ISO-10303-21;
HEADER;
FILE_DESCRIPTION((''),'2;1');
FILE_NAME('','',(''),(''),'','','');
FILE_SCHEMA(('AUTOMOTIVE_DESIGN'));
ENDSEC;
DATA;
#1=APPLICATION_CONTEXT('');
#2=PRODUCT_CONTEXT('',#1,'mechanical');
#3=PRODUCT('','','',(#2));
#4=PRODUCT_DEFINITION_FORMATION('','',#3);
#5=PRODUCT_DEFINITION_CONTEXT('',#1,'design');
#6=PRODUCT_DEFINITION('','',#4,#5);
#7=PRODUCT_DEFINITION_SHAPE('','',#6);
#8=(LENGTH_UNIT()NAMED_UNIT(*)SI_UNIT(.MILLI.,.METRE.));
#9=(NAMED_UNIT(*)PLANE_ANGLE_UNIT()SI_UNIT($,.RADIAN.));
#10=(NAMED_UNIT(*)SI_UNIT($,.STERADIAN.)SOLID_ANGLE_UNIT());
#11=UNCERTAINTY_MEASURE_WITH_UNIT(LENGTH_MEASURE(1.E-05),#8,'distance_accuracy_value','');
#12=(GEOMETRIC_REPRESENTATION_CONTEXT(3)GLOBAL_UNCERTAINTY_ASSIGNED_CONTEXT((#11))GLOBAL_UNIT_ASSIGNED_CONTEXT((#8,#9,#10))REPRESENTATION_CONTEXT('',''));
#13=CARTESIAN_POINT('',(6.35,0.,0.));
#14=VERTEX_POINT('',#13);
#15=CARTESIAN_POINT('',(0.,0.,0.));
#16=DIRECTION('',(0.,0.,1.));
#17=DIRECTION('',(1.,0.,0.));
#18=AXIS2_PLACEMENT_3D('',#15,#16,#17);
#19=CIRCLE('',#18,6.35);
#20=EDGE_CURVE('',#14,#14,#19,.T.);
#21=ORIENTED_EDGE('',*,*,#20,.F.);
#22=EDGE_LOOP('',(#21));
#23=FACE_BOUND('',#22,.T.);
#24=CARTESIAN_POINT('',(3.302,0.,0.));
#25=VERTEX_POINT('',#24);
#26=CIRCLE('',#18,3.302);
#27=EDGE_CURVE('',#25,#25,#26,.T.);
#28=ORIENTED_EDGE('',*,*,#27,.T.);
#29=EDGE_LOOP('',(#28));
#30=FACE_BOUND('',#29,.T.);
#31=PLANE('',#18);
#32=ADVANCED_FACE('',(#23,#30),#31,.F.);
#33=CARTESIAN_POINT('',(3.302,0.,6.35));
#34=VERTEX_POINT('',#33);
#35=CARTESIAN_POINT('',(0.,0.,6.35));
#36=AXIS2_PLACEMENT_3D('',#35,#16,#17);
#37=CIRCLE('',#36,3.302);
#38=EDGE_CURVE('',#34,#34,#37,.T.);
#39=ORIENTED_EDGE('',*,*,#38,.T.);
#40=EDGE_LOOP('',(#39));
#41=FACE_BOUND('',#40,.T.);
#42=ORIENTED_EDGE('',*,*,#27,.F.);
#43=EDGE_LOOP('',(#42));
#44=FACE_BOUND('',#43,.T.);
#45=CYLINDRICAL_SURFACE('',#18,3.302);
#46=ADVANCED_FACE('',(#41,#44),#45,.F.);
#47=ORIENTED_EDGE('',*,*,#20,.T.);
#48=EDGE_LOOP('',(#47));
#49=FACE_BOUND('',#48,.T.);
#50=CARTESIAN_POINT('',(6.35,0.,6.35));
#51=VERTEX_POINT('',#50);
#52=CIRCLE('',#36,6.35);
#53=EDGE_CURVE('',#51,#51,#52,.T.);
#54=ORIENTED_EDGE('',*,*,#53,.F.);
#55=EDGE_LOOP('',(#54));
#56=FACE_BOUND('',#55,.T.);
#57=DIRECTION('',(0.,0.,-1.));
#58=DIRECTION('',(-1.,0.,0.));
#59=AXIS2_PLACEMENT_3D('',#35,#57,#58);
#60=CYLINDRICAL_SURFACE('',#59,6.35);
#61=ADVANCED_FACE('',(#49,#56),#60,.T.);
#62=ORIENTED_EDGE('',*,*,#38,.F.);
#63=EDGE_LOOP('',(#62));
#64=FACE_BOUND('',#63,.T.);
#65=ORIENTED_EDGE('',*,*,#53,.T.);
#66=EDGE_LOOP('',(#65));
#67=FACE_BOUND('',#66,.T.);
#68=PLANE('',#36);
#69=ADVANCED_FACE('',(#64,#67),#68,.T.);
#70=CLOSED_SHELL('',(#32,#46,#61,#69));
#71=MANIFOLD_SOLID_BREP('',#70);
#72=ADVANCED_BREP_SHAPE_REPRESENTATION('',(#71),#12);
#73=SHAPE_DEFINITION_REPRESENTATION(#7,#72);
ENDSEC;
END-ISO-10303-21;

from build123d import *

# Parameters (mm, degrees)
SKETCH1_R           = 6.35
BOSS_EXTRUDE1_DEPTH = 6.35
SKETCH2_R           = 3.302
CUT_EXTRUDE1_DEPTH  = 7.35


with BuildPart() as part:
    # Sketch1 → Boss-Extrude1 (new body)
    with BuildSketch(Plane.XY):
        Circle(SKETCH1_R)
    extrude(amount=BOSS_EXTRUDE1_DEPTH)

    # Sketch2 → Cut-Extrude1 (cut, through all)
    with BuildSketch(Plane.XY.offset(6.35)):
        Circle(SKETCH2_R)
    extrude(amount=-CUT_EXTRUDE1_DEPTH, mode=Mode.SUBTRACT)


solid = part.part
